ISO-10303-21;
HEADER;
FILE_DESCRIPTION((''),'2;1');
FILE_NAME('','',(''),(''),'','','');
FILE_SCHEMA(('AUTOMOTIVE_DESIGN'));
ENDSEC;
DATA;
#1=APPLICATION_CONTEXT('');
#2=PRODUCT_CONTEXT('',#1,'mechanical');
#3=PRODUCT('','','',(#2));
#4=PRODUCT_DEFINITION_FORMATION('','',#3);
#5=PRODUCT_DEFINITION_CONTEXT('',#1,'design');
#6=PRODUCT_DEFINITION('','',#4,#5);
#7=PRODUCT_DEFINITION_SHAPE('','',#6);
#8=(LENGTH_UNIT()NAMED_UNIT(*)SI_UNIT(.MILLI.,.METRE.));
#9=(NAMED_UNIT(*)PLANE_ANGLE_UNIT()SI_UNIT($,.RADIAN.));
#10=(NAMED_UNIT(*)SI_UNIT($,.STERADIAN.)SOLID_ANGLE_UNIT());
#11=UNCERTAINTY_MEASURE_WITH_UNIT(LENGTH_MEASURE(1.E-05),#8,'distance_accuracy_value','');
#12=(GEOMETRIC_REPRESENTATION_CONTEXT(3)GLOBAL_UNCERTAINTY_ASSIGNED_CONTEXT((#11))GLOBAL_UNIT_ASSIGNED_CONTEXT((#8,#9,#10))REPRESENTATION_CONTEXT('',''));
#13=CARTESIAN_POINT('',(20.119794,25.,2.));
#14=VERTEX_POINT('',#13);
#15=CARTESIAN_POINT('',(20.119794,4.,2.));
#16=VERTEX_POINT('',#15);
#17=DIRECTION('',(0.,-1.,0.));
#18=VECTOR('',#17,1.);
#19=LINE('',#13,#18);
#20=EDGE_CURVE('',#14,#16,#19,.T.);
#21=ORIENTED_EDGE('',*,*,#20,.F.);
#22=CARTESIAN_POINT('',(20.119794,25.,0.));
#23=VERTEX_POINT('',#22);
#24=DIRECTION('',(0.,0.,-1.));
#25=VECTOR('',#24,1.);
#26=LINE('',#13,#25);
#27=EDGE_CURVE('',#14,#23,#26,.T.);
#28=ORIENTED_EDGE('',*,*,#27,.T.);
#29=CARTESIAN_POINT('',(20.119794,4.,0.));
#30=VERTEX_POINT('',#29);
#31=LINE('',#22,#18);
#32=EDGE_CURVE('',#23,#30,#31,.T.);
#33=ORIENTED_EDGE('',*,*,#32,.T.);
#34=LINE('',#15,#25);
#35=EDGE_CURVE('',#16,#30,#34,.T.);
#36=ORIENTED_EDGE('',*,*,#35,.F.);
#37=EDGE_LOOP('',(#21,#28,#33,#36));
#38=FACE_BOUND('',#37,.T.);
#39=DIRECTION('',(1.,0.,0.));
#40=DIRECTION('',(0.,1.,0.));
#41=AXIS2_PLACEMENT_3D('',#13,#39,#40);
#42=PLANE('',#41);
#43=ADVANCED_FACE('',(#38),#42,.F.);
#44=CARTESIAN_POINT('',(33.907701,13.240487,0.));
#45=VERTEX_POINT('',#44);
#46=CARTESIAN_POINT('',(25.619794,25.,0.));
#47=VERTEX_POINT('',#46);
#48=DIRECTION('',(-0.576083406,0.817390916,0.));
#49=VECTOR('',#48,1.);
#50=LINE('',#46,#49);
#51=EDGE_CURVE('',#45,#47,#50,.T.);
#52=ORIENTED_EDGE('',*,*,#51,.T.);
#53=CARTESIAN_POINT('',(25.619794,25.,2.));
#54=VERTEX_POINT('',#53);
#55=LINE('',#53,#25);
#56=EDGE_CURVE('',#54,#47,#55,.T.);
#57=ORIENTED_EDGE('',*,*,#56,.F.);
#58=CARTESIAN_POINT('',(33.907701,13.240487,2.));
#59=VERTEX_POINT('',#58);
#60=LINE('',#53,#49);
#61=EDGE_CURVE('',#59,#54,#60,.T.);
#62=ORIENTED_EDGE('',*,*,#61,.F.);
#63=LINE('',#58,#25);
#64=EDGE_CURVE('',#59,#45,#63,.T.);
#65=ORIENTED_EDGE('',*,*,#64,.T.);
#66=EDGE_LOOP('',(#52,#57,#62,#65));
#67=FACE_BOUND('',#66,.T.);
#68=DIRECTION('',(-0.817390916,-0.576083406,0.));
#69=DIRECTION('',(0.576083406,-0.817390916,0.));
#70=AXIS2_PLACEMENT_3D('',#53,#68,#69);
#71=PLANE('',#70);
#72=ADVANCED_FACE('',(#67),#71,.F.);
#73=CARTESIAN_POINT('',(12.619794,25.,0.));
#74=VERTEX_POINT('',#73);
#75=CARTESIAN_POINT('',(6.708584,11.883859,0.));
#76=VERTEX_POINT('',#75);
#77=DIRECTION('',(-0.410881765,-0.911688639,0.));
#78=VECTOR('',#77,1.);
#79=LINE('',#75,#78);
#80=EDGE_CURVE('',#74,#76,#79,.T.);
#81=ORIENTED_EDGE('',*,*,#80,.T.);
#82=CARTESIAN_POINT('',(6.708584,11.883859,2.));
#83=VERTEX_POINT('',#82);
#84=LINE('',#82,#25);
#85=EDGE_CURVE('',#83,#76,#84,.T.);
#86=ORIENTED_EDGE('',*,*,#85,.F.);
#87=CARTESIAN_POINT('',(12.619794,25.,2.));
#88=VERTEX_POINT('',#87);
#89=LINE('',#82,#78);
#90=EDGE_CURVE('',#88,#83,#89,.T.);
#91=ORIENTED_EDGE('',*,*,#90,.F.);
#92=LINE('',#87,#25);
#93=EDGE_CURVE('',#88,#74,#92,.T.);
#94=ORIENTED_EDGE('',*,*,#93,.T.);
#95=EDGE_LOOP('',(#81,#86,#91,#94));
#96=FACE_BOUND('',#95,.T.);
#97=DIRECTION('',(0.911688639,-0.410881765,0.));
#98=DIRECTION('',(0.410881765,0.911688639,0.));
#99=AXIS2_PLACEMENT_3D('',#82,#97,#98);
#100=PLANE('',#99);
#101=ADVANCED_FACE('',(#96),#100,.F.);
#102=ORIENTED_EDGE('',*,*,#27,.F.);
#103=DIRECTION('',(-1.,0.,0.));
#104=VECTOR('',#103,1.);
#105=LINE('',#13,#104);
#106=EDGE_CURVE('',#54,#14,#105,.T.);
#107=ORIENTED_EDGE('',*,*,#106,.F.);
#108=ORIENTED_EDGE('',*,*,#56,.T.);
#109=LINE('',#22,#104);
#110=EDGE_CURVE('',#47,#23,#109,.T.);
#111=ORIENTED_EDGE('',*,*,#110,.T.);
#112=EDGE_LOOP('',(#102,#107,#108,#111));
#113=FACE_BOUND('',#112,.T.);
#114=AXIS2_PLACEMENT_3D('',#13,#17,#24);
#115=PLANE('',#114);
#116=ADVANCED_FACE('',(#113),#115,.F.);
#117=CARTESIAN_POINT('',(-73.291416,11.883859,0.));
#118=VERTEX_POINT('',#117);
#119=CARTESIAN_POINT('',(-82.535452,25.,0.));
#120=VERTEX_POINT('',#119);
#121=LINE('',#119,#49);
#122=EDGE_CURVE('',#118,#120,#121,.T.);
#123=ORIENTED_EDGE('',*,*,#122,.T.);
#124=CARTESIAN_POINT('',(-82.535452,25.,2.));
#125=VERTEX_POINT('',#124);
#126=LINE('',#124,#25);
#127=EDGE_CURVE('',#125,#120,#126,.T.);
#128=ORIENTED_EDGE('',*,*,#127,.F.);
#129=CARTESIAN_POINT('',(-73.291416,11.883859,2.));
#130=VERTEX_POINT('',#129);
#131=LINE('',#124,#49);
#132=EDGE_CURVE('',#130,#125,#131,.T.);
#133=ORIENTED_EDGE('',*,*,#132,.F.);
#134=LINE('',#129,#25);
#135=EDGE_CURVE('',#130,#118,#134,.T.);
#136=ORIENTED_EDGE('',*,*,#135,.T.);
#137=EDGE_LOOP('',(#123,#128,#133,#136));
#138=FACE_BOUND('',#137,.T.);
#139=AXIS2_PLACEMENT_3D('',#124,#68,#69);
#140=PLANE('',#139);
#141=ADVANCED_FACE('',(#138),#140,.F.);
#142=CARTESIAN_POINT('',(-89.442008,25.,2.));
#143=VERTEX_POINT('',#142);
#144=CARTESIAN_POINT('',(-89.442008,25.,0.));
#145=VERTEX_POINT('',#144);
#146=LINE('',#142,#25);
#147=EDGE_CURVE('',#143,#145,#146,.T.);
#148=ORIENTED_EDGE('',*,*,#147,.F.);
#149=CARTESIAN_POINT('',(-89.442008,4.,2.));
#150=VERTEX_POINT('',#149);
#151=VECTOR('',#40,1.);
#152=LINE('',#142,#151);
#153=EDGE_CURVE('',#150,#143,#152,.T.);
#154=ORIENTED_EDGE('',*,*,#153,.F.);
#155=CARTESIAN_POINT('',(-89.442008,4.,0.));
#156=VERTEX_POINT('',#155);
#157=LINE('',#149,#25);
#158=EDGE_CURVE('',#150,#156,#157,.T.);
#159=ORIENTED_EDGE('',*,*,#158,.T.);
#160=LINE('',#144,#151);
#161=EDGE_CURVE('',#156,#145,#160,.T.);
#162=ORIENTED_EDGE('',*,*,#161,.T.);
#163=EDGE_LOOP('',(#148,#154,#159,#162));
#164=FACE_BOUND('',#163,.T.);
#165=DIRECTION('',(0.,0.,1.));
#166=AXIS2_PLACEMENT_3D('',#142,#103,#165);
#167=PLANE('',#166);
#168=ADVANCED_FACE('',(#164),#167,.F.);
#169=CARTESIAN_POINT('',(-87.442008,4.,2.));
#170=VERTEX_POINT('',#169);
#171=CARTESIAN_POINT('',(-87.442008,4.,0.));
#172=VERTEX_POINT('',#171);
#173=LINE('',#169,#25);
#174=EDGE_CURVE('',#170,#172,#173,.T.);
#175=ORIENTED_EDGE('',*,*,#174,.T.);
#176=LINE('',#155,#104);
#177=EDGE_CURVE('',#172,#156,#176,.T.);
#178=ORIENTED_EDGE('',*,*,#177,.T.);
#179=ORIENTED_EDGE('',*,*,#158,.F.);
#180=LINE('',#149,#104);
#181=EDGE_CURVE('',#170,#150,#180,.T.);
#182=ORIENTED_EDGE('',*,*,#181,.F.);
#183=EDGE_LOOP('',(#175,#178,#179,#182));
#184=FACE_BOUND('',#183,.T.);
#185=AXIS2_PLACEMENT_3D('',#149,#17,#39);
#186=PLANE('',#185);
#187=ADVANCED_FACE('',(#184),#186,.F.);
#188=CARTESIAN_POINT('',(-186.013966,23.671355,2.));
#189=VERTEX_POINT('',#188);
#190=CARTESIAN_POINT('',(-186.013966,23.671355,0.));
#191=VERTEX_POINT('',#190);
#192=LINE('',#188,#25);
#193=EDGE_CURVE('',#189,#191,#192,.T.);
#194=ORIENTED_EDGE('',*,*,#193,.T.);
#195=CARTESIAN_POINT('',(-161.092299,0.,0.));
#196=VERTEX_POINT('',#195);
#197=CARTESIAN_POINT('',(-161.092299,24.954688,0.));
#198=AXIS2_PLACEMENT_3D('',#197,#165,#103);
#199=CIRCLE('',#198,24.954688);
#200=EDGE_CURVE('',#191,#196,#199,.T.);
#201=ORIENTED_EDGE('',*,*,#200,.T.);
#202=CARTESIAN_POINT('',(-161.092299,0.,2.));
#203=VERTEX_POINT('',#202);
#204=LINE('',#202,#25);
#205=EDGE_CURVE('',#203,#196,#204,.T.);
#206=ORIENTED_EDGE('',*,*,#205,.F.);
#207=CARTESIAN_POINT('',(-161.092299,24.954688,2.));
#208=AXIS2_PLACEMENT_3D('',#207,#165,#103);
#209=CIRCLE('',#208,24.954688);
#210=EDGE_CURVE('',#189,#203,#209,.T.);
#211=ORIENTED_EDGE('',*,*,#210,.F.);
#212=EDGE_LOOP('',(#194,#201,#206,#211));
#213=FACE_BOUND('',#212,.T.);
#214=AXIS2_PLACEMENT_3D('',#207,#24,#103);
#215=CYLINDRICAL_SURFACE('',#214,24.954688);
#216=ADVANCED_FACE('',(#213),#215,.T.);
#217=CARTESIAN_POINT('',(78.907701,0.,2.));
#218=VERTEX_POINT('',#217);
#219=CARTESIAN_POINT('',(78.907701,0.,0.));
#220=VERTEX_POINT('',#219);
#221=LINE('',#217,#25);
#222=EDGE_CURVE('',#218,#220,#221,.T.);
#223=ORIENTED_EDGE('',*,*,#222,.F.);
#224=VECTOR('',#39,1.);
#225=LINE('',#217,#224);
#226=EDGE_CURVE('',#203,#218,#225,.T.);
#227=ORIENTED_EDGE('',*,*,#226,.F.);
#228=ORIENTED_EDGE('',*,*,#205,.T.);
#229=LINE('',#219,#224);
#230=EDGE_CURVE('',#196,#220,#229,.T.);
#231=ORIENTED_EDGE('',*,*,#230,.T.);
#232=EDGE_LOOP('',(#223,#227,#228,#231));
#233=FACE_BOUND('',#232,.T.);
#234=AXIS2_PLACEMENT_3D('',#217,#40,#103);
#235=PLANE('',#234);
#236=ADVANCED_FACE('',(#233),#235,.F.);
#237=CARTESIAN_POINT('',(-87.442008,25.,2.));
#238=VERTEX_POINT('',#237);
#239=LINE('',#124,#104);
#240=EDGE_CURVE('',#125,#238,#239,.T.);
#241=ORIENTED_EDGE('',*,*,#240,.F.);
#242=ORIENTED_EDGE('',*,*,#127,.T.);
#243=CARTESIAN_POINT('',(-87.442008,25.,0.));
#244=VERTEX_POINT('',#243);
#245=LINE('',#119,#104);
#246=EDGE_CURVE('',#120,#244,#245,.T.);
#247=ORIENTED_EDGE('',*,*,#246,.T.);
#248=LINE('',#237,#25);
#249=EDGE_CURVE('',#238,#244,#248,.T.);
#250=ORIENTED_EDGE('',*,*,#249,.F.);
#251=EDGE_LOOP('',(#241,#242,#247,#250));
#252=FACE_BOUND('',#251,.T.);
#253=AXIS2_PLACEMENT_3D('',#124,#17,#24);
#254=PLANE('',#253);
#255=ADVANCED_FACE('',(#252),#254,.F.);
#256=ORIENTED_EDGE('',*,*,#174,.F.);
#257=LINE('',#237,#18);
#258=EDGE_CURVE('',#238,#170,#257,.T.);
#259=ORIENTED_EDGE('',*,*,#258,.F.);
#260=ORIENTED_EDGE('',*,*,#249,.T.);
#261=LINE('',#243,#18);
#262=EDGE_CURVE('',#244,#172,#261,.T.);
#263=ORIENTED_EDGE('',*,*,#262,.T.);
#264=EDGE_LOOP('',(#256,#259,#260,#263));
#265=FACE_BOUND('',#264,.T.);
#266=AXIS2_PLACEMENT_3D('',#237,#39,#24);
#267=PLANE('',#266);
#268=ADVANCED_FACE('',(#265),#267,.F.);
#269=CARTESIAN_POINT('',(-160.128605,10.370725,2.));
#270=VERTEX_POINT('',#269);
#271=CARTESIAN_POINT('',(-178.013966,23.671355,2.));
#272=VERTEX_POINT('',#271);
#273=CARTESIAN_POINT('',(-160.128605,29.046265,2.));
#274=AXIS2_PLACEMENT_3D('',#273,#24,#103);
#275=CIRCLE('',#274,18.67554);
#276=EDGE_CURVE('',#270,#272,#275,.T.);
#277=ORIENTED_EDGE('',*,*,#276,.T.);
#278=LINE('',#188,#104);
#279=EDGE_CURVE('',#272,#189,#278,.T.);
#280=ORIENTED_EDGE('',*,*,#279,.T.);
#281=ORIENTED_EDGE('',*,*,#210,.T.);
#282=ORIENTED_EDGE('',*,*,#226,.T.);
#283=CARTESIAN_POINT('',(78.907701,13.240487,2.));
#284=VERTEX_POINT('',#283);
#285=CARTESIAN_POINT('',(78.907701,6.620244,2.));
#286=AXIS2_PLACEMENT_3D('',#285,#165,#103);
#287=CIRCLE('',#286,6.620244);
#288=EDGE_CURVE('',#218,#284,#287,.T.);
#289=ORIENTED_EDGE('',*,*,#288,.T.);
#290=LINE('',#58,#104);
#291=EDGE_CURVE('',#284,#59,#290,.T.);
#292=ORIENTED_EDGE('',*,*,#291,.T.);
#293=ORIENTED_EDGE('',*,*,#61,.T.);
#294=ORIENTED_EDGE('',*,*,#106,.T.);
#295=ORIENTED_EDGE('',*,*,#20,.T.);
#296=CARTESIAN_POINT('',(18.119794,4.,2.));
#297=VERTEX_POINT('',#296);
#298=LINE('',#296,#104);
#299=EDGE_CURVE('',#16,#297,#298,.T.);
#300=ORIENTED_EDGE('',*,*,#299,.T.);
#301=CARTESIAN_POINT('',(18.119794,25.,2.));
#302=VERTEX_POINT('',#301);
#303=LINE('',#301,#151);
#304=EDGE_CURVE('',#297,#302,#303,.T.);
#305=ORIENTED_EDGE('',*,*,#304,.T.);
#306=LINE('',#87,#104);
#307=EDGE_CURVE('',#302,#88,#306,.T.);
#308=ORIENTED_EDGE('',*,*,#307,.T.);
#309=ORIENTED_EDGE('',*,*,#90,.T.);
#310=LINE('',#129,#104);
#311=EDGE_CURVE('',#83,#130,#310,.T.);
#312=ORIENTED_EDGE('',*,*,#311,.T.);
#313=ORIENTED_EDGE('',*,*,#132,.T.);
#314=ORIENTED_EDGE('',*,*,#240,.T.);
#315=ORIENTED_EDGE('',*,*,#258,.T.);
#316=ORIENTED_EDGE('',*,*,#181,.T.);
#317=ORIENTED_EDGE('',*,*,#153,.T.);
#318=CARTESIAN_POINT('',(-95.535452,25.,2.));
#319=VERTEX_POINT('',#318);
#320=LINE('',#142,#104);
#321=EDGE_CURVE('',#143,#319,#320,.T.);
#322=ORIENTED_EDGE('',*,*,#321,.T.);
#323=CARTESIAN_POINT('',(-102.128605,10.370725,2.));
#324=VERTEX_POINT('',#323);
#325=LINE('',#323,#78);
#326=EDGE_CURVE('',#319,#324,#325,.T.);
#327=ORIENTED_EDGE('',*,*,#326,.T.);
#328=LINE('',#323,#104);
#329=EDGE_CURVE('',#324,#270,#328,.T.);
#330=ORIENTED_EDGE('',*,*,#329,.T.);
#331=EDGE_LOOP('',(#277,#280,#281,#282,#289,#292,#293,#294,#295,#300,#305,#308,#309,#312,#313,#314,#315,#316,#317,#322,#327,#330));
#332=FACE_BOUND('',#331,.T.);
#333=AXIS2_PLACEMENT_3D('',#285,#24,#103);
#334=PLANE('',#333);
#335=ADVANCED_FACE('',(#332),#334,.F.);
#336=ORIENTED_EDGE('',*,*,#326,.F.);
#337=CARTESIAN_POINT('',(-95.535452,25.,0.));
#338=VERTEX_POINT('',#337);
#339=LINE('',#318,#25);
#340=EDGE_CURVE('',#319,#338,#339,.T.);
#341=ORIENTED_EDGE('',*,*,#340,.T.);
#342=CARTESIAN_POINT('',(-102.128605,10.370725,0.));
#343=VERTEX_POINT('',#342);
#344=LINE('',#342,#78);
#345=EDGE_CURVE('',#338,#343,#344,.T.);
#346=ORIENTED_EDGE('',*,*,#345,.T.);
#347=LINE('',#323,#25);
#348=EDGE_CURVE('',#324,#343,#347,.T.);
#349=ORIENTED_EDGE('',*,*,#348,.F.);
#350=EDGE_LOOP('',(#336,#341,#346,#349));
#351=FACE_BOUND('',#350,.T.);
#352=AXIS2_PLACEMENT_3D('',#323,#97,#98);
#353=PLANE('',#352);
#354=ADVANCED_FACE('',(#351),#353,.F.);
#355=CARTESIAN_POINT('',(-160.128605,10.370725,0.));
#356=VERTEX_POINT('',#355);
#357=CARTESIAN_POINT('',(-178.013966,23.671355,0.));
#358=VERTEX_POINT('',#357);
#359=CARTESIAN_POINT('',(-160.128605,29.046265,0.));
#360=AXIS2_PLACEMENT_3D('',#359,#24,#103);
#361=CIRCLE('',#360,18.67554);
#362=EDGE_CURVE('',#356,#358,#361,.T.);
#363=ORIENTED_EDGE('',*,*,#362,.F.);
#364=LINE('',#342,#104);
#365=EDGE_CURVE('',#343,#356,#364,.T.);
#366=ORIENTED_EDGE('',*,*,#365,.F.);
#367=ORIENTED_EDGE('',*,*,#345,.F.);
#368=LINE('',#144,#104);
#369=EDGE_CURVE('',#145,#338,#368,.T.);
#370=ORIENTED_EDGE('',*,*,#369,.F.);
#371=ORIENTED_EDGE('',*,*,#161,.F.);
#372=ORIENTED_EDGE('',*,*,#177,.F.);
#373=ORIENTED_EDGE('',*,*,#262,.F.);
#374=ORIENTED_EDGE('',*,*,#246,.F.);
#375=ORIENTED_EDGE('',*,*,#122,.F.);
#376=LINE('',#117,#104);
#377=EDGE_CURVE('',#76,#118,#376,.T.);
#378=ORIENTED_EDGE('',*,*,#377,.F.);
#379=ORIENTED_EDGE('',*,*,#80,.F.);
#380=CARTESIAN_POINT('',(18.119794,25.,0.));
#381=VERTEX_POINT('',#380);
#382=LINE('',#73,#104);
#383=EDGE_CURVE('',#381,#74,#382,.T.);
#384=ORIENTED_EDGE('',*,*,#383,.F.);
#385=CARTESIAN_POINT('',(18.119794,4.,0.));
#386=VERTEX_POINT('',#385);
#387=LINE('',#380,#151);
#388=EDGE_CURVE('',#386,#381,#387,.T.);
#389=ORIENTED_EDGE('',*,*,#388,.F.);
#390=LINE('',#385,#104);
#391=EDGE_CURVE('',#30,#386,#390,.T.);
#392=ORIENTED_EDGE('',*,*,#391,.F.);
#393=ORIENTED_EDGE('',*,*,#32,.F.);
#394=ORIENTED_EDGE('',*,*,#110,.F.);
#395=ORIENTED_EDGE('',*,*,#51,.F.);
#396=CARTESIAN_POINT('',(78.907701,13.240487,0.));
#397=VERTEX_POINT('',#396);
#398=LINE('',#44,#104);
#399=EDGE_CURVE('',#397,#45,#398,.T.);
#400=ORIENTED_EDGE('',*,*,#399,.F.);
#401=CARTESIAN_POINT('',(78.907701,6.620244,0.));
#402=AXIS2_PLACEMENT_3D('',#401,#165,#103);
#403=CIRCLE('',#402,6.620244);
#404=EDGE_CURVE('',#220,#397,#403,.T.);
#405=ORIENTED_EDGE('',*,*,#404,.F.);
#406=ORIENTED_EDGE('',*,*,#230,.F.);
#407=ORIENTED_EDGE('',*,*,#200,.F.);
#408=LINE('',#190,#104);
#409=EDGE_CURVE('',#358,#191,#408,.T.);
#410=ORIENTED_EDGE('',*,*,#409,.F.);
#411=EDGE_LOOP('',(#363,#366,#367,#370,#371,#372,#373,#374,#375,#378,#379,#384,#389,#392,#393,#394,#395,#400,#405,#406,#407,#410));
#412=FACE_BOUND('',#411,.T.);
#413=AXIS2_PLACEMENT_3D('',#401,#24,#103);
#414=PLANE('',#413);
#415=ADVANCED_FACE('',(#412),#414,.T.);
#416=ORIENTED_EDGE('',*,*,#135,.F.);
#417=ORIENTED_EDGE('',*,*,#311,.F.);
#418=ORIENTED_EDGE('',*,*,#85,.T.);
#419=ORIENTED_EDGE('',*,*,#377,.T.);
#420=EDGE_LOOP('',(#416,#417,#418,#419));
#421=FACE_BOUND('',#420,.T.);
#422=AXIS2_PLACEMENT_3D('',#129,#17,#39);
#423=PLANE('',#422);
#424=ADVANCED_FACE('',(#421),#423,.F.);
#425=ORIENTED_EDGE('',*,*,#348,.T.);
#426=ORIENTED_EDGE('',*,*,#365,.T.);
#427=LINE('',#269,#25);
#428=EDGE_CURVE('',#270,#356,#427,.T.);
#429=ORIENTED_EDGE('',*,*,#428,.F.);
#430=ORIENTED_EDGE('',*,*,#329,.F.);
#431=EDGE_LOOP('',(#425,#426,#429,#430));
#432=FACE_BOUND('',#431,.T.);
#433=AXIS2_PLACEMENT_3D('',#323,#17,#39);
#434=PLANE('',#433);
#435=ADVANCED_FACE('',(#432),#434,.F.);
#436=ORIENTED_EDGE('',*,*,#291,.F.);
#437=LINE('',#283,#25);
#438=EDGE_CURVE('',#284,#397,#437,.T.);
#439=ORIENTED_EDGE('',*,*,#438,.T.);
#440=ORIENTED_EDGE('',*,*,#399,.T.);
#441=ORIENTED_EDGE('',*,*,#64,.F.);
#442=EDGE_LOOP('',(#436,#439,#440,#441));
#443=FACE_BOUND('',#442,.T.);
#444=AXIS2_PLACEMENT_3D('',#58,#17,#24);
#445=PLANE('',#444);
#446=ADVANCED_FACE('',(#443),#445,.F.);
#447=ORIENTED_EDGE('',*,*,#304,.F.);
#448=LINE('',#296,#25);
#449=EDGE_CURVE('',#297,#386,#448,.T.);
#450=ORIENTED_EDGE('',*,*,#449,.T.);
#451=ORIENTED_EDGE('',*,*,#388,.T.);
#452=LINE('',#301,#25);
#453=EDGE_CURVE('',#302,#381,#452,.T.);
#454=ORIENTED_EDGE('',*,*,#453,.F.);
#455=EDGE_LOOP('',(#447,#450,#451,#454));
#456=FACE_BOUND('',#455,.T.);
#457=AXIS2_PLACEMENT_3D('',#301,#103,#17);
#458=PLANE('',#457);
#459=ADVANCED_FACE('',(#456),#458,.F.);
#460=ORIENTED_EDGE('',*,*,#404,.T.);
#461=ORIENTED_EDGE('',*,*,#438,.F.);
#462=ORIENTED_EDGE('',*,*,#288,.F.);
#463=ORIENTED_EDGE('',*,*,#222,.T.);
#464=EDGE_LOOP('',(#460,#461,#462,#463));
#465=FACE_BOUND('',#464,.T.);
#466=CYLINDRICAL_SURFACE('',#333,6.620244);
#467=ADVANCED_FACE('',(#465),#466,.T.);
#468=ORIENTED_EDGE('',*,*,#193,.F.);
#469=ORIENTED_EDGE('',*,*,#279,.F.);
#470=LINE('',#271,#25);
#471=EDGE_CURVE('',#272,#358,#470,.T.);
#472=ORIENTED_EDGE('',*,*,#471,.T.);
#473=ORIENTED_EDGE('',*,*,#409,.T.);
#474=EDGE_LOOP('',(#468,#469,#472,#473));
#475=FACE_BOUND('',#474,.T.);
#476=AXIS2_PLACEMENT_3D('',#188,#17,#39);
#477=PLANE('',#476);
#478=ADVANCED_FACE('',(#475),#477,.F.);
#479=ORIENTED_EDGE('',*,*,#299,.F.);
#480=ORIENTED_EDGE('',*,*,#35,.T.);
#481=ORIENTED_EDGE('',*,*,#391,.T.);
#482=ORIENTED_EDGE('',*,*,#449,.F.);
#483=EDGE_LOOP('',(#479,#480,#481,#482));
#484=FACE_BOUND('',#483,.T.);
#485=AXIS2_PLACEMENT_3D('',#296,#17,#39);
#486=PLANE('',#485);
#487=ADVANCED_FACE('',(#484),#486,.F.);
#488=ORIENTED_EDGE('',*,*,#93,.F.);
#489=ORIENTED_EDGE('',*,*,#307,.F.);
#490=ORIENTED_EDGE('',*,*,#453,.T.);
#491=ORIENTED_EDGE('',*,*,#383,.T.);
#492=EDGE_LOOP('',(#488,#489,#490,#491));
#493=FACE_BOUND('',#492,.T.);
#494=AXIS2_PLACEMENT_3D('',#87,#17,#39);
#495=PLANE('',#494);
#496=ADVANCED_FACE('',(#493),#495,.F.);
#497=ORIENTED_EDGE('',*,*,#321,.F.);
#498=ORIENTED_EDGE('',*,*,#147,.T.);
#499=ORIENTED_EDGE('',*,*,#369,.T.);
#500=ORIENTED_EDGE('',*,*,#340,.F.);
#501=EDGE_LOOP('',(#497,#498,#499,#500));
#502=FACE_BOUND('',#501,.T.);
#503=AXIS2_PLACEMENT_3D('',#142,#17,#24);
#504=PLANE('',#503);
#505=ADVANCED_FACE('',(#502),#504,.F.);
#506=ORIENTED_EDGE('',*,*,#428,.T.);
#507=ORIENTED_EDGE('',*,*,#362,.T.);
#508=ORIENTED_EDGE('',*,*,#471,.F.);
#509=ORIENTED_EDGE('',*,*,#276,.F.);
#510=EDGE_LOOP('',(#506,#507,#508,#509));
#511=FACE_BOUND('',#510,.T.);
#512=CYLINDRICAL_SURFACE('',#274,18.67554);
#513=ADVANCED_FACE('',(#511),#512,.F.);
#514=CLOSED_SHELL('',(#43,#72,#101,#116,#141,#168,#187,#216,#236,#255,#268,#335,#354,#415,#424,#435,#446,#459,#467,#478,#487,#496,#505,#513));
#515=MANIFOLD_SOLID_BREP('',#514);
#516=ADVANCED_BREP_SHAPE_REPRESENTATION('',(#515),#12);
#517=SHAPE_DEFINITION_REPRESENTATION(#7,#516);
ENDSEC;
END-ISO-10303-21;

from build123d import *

# Parameters (mm, degrees)
RESSALTO_EXTRUS_O1_DEPTH = 2


with BuildPart() as part:
    # Esboço1 → Ressalto-extrusão1 (new body)
    with BuildSketch(Plane.XY):
        with BuildLine():
            Line((78.907701248, 0), (-161.092298752, 0))
            ThreePointArc((-161.092298752, 0), (-178.278212695, 6.861020331), (-186.013965864, 23.671355275))
            Line((-186.013965864, 23.671355275), (-178.013965864, 23.671355275))
            ThreePointArc((-178.013965864, 23.671355275), (-171.273030794, 14.060352601), (-160.128605048, 10.370724866))
            Line((-160.128605048, 10.370724866), (-102.128605048, 10.370724866))
            Line((-102.128605048, 10.370724866), (-95.535452379, 25))
            Line((-95.535452379, 25), (-89.442008497, 25))
            Line((-89.442008497, 25), (-89.442008497, 4))
            Line((-89.442008497, 4), (-87.442008497, 4))
            Line((-87.442008497, 4), (-87.442008497, 25))
            Line((-87.442008497, 25), (-82.535452379, 25))
            Line((-82.535452379, 25), (-73.291416334, 11.883859156))
            Line((-73.291416334, 11.883859156), (6.708583666, 11.883859156))
            Line((6.708583666, 11.883859156), (12.619793773, 25))
            Line((12.619793773, 25), (18.119793773, 25))
            Line((18.119793773, 25), (18.119793773, 4))
            Line((18.119793773, 4), (20.119793773, 4))
            Line((20.119793773, 4), (20.119793773, 25))
            Line((20.119793773, 25), (25.619793773, 25))
            Line((25.619793773, 25), (33.907701248, 13.240487032))
            Line((33.907701248, 13.240487032), (78.907701248, 13.240487032))
            ThreePointArc((78.907701248, 13.240487032), (85.527944764, 6.620243516), (78.907701248, 0))
        make_face()
    extrude(amount=RESSALTO_EXTRUS_O1_DEPTH)


solid = part.part
